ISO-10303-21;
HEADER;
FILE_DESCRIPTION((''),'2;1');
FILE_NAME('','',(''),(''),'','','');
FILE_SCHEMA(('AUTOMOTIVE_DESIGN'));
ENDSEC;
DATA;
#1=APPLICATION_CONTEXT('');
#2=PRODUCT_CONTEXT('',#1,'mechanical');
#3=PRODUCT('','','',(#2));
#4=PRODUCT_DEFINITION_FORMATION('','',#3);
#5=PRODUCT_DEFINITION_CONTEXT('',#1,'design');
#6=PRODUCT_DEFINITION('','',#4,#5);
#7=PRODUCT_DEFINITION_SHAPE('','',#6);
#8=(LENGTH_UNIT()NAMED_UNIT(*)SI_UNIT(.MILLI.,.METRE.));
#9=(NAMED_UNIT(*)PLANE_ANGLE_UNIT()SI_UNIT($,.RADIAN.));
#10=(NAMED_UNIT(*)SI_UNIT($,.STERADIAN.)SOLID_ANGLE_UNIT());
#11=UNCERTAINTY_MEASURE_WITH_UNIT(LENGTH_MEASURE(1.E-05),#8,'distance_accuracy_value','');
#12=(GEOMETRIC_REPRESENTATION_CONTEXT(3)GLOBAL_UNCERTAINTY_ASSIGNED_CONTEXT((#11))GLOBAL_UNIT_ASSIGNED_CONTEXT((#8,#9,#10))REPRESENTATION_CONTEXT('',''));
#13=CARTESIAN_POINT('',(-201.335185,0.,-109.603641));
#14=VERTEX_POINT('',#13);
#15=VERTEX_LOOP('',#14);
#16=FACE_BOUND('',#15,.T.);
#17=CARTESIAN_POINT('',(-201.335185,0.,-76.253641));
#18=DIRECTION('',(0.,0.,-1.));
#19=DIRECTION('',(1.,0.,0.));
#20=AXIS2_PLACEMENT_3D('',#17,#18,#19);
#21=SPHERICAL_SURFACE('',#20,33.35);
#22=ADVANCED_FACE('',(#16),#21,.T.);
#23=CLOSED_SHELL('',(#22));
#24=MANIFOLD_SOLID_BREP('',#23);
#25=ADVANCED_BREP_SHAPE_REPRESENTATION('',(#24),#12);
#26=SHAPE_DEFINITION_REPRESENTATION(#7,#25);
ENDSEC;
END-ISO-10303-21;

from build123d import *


with BuildPart() as part:
    # Sketch2 → Revolve1 (revolve)
    with BuildSketch(Plane(origin=(0, 0, 0), x_dir=(1, 0, 0), z_dir=(0, 1, 0))):
        with BuildLine():
            Line((-201.335185185, 109.603641233), (-201.335185185, 42.903641233))
            ThreePointArc((-201.335185185, 42.903641233), (-234.685185185, 76.253641233), (-201.335185185, 109.603641233))
        make_face()
    revolve(axis=Axis((-201.335185185, 0, -109.603641233), (0, 0, 1)))


solid = part.part
